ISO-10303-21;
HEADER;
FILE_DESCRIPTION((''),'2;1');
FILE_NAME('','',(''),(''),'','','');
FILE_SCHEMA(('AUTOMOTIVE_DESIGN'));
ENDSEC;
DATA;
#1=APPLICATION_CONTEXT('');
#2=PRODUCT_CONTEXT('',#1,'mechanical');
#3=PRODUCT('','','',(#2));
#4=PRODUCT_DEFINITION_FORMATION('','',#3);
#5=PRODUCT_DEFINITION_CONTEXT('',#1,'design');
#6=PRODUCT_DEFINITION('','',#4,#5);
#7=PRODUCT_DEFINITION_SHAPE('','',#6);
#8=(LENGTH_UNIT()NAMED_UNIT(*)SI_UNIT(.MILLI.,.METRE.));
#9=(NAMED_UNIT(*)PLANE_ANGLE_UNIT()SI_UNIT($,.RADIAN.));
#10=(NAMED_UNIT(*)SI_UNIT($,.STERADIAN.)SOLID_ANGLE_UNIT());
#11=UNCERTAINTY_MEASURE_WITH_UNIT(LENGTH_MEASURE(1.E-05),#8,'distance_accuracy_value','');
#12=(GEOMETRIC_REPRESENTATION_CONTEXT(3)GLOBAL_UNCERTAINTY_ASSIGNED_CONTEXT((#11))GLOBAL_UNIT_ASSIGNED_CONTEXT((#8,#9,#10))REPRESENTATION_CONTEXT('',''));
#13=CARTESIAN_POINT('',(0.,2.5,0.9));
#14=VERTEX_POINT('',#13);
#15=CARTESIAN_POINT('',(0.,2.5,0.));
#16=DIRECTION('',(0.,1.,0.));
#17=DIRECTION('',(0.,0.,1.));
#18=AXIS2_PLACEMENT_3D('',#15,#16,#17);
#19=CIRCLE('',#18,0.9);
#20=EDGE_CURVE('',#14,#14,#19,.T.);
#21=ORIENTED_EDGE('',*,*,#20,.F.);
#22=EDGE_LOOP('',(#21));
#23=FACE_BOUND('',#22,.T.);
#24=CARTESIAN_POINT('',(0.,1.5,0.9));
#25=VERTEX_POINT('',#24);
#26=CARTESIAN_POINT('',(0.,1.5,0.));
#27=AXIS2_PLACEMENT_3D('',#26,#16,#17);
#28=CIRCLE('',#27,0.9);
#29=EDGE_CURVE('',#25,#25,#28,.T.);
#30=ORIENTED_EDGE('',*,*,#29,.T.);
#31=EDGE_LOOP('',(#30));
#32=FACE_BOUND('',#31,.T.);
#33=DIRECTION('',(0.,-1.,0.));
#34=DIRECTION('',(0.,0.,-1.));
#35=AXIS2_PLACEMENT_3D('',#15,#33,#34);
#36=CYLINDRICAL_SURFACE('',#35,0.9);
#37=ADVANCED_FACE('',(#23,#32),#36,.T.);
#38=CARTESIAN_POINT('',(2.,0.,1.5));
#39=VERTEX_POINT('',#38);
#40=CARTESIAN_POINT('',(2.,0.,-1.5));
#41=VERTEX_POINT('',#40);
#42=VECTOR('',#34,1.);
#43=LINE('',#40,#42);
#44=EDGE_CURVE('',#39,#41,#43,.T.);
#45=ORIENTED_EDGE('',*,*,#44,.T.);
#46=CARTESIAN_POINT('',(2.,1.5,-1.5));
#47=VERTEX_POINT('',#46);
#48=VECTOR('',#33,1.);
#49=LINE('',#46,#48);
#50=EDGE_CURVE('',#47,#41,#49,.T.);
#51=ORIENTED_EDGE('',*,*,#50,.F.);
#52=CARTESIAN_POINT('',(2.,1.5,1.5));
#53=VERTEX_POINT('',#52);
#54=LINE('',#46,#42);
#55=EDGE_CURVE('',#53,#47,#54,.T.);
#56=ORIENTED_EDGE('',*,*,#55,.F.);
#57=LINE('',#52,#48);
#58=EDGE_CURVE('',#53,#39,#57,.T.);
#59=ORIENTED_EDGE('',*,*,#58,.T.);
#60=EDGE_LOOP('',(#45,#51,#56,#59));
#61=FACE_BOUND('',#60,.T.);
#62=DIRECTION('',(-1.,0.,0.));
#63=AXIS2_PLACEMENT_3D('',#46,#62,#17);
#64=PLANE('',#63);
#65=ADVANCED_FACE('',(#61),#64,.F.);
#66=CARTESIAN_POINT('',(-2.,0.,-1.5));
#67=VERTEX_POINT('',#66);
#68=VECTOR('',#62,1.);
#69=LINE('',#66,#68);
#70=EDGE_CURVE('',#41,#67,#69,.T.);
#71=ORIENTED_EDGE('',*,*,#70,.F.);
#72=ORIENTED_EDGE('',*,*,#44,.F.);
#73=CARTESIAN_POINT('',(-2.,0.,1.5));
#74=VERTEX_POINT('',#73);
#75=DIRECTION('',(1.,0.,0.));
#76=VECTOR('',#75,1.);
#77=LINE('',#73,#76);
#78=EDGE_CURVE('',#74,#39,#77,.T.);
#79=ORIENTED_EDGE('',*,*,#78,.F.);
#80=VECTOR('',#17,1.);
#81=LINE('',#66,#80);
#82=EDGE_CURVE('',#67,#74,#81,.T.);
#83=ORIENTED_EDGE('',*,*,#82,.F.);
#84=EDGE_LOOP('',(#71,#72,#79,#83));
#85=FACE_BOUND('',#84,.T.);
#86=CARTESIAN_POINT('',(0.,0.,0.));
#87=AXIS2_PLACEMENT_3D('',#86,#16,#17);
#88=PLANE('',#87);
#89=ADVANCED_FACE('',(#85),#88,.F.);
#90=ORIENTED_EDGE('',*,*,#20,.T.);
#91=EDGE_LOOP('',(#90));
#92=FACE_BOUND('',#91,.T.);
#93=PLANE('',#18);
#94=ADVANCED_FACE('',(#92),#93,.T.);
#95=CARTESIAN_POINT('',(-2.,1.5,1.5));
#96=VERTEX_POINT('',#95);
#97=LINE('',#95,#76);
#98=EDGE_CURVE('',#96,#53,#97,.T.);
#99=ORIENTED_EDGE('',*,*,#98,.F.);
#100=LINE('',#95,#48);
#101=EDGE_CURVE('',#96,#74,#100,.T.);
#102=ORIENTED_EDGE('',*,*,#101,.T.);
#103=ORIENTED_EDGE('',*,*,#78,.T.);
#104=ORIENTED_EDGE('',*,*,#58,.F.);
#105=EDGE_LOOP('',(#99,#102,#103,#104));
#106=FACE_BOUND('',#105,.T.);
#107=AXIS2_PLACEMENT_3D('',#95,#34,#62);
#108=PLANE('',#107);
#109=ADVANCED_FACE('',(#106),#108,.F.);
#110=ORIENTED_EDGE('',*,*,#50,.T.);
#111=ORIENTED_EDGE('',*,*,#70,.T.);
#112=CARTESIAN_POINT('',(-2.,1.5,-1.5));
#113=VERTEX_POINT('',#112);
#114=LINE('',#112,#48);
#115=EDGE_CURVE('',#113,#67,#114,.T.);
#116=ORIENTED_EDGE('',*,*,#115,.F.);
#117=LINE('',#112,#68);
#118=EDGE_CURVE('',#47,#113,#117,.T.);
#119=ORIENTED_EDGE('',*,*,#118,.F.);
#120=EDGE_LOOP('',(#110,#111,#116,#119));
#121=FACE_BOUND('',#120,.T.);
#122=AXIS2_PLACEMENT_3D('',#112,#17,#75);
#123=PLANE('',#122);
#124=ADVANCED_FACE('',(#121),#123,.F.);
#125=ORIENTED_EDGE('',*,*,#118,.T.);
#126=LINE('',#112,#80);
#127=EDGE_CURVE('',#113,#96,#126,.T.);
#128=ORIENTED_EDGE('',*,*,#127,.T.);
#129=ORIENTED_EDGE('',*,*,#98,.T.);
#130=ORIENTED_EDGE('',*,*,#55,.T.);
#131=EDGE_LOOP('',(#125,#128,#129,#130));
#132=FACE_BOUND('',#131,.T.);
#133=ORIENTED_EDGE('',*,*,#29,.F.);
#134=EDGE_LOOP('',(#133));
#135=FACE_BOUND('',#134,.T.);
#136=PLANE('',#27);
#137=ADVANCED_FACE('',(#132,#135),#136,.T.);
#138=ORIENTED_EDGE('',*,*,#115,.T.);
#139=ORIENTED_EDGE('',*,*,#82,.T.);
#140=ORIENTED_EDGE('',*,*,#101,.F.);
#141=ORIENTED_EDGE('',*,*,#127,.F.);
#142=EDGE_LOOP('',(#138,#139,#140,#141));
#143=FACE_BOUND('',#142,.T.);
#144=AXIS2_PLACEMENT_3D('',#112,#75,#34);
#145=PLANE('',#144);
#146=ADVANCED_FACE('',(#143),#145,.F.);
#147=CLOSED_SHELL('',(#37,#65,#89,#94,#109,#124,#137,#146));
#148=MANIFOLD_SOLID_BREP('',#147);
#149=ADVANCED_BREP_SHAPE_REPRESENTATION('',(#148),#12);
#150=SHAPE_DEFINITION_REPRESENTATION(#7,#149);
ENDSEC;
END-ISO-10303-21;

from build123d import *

# Parameters (mm, degrees)
SKETCH1_W           = 4
SKETCH1_H           = 3
BOSS_EXTRUDE1_DEPTH = 1.5
SKETCH2_R           = 0.9
BOSS_EXTRUDE2_DEPTH = 1


with BuildPart() as part:
    # Sketch1 → Boss-Extrude1 (new body)
    with BuildSketch(Plane(origin=(0, 0, 0), x_dir=(1, 0, 0), z_dir=(0, 1, 0))):
        Rectangle(SKETCH1_W, SKETCH1_H)
    extrude(amount=BOSS_EXTRUDE1_DEPTH)

    # Sketch2 → Boss-Extrude2 (add)
    with BuildSketch(Plane(origin=(0, 1.5, 0), x_dir=(1, 0, 0), z_dir=(0, 1, 0))):
        Circle(SKETCH2_R)
    extrude(amount=BOSS_EXTRUDE2_DEPTH)


solid = part.part
